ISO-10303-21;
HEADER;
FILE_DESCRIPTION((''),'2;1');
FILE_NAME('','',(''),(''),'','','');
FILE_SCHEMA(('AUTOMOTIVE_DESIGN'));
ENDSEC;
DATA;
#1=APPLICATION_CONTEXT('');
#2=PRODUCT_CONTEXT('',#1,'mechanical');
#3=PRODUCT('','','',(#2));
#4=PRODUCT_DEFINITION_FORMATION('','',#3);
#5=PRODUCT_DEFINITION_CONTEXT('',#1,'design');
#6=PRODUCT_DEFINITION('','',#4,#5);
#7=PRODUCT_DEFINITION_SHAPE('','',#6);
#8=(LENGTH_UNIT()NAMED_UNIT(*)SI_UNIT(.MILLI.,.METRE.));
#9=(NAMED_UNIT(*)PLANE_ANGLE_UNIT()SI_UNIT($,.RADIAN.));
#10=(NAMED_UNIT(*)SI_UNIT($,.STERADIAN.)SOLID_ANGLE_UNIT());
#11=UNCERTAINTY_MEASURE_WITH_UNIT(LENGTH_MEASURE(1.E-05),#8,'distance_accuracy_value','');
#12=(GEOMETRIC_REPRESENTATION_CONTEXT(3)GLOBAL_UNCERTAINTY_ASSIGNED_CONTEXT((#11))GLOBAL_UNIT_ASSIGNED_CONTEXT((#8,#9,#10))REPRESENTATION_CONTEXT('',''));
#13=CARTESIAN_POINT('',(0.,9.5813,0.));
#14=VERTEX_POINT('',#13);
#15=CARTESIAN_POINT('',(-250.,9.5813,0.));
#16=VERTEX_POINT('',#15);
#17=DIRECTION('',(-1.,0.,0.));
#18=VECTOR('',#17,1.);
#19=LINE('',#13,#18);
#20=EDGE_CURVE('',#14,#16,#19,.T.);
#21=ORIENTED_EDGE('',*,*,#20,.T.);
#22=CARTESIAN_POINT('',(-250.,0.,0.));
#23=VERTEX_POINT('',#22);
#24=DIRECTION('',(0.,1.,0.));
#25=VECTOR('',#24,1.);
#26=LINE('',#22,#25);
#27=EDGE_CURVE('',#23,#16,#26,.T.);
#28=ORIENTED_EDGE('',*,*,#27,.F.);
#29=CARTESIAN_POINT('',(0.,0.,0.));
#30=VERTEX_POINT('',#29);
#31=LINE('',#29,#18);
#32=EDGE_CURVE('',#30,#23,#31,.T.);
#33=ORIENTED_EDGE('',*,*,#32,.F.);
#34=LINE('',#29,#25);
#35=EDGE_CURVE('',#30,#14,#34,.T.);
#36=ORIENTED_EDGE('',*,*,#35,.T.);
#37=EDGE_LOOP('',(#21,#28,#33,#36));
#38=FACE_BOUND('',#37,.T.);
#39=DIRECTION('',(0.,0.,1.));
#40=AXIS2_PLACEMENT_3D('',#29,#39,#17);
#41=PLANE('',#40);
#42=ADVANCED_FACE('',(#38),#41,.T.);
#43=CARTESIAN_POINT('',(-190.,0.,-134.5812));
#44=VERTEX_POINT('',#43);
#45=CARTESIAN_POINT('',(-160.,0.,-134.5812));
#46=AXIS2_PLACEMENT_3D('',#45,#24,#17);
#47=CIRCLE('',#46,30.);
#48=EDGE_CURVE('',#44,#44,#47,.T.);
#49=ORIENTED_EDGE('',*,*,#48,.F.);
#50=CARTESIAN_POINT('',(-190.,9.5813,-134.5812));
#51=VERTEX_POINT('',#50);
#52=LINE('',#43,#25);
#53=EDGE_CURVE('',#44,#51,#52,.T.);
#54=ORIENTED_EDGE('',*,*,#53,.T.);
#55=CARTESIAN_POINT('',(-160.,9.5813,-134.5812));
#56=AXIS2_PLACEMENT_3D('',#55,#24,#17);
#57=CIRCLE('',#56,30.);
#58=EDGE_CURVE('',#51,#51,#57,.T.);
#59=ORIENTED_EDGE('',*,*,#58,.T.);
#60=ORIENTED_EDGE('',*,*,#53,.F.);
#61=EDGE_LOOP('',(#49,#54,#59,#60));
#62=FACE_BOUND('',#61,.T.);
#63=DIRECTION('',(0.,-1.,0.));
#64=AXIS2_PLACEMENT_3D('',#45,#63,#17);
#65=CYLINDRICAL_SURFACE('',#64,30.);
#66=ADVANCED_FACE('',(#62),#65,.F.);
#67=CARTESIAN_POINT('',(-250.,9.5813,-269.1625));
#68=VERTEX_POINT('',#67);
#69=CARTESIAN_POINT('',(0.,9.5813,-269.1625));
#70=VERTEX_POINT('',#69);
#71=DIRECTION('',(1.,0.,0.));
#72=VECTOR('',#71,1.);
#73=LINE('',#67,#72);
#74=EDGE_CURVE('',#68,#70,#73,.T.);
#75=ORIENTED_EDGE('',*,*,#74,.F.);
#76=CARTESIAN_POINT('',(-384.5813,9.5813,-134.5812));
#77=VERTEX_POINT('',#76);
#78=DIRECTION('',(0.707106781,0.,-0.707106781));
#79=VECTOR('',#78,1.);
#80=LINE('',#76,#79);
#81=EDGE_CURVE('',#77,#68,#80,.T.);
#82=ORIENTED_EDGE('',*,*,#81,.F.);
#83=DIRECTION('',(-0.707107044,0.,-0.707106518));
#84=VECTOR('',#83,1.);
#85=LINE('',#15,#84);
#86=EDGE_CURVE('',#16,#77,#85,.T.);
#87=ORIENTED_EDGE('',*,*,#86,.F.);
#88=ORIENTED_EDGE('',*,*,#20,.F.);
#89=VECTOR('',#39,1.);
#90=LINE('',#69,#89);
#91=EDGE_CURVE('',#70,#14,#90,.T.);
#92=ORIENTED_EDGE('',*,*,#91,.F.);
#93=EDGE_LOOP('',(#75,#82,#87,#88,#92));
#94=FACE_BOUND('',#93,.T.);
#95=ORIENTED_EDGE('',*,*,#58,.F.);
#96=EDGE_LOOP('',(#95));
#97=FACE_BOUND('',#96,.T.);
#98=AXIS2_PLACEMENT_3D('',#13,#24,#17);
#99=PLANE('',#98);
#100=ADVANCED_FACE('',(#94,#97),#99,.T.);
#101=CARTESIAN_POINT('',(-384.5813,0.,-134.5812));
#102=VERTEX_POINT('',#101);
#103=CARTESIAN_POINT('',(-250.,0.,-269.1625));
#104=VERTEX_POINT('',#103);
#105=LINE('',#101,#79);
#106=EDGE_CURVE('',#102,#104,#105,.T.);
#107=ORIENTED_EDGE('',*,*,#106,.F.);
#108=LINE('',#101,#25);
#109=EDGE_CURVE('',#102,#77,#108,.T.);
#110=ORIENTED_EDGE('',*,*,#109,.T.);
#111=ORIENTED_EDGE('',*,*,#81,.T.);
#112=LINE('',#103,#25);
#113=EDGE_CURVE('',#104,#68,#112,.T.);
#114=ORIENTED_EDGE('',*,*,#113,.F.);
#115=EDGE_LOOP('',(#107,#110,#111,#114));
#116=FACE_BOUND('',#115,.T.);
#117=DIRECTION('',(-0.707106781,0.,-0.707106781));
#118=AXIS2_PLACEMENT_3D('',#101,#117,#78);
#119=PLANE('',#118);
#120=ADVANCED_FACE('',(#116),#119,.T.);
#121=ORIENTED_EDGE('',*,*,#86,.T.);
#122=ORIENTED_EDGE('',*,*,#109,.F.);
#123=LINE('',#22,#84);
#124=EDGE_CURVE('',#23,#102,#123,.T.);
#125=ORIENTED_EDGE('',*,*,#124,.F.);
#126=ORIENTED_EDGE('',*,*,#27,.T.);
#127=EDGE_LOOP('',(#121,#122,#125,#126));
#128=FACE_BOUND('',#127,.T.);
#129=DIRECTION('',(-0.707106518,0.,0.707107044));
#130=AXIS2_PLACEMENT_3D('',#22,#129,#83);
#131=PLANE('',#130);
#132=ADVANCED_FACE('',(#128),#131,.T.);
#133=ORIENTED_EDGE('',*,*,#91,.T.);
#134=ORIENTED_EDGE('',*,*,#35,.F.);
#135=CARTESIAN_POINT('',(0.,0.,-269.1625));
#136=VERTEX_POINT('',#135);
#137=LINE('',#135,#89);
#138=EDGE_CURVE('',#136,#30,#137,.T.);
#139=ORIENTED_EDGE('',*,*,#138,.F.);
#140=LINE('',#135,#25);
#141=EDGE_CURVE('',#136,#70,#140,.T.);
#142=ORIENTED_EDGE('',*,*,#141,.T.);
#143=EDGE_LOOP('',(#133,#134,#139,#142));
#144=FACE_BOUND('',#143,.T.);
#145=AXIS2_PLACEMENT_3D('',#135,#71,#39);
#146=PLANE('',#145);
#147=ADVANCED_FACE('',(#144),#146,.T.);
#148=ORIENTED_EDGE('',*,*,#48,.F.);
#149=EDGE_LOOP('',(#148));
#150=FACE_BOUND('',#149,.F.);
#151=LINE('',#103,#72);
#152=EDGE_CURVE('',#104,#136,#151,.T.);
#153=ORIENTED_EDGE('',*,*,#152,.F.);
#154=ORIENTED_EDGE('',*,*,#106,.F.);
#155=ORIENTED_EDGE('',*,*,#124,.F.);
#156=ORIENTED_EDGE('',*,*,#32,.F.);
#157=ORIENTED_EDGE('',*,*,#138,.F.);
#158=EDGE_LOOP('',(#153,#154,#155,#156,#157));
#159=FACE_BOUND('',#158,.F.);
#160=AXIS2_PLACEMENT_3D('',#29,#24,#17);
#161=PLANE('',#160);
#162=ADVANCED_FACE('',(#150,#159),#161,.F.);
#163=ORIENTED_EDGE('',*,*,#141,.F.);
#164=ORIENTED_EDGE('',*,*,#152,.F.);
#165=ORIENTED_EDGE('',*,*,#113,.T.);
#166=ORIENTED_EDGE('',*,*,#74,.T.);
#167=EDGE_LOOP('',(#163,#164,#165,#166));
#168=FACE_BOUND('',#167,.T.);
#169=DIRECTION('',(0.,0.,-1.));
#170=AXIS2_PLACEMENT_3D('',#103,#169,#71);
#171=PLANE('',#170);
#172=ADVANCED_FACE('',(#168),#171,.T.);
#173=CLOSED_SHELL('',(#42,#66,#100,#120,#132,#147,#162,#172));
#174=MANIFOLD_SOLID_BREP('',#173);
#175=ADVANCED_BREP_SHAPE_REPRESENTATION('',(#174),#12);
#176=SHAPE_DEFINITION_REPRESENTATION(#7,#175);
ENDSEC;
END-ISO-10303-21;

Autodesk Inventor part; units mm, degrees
ref_plane "YZ Plane" through (0, 0, 0) normal (1, 0, 0) x (0, 1, 0)
ref_plane "XZ Plane" through (0, 0, 0) normal (0, 1, 0) x (-1, 0, 0)
sketch "Sketch1" plane through (0, 0, 0) normal (0, 1, 0) x (-1, 0, 0)
  line L0 (0, 0) -> (250, 0)
  line L1 (250, 0) -> (250, -269.1625)
  line L2 (250, -269.1625) -> (0, -269.1625)
  line L3 (0, -269.1625) -> (0, 0)
  line L4 (250, 0) -> (384.5813, -134.5812)
  line L5 (384.5813, -134.5812) -> (250, -269.1625)
  circle A0 centre (160, -134.5812) radius 30
  dimension "d0" = 269.1625
  dimension "d1" = 250
  dimension "d2" = 135
  dimension "d3" = 60
  dimension "d4" = 160
  dimension "d5" = 134.5813
extrude "Extrusion1" add sketch "Sketch1" along normal blind 9.5813
ref_plane "Work Plane1" through (-250, 0, -134.5812) normal (0, 0, 1) x (1, 0, 0)
equation "\"d5\" = 0.5 * d0"
properties part number "front wall" material "Pine"
